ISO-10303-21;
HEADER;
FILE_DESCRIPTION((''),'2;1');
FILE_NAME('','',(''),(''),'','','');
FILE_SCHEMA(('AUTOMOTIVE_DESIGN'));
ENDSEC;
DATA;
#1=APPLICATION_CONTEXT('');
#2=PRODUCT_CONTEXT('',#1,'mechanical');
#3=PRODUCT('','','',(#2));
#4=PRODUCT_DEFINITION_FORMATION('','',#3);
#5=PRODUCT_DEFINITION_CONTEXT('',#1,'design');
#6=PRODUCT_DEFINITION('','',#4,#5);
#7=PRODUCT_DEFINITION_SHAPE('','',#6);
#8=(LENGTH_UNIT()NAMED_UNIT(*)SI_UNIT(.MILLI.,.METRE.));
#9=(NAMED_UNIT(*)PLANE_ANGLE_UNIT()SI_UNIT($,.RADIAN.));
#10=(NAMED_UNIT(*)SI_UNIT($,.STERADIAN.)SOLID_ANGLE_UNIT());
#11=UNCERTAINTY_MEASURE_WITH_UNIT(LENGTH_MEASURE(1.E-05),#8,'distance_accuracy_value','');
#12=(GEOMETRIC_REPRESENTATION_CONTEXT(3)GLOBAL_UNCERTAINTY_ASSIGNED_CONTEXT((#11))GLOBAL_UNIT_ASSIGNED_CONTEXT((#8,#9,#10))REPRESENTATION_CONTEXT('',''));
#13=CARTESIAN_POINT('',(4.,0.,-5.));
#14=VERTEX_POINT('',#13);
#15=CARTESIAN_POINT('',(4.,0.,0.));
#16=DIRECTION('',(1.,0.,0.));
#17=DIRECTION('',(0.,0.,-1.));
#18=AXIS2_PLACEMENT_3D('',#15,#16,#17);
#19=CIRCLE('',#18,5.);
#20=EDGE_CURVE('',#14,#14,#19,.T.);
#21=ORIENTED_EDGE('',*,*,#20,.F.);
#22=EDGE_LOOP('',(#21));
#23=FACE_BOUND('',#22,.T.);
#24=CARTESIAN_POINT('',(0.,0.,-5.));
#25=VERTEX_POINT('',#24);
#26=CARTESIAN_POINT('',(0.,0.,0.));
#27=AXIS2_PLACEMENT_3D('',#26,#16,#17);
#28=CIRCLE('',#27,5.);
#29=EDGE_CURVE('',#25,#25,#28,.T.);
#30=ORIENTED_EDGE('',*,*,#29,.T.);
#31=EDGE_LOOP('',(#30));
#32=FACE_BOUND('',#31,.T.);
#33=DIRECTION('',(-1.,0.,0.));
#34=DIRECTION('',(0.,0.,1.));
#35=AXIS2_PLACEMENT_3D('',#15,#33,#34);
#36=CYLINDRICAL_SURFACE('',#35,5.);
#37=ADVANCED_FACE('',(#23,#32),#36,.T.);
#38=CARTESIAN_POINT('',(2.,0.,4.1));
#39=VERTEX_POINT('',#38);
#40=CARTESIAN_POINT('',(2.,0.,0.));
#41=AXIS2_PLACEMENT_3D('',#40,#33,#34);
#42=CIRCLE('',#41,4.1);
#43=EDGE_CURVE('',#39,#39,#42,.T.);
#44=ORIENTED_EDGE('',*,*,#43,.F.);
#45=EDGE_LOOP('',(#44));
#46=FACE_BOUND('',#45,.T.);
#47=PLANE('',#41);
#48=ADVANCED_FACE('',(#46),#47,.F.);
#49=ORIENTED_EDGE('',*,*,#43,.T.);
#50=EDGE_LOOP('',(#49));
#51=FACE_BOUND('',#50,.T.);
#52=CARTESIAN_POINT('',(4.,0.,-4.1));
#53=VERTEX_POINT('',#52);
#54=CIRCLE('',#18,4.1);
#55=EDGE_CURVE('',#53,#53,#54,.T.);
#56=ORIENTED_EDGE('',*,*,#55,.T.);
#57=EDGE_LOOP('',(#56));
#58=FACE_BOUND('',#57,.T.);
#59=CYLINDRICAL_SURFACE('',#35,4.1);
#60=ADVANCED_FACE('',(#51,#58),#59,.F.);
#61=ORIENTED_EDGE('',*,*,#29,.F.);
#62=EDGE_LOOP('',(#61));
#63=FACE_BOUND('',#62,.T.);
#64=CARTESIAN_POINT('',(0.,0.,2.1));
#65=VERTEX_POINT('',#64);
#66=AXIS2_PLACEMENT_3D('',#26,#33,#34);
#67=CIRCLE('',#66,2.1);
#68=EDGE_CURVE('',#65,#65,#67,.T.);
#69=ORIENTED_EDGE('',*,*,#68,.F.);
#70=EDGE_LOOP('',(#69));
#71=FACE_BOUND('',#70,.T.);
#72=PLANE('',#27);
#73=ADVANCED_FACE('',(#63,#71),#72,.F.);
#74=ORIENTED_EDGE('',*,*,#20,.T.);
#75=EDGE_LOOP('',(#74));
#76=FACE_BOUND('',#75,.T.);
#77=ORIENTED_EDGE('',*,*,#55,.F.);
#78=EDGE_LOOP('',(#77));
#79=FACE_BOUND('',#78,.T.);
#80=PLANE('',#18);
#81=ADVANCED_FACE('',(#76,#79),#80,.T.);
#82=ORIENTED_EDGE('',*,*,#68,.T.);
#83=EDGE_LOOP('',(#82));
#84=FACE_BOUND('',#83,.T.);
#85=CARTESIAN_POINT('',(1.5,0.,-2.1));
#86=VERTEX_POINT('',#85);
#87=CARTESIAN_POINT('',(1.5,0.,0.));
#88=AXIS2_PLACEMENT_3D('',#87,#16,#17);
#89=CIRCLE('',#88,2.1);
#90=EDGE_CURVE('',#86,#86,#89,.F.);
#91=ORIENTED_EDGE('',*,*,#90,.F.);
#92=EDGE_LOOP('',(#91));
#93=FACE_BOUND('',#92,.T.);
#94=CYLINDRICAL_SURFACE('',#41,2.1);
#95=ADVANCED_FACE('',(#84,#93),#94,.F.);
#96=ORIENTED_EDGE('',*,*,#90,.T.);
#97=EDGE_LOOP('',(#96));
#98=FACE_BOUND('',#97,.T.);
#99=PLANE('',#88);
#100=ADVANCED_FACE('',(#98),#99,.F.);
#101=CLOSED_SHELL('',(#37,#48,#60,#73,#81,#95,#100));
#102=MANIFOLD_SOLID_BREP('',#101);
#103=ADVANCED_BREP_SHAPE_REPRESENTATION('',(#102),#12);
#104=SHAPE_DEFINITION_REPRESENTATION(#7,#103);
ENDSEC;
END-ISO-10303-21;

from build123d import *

# Parameters (mm, degrees)
SKETCH1_R           = 5
SKETCH1_R_2         = 4.1
BOSS_EXTRUDE1_DEPTH = 4
SKETCH2_R           = 4.1
SKETCH2_R_2         = 2.1
BOSS_EXTRUDE2_DEPTH = 2
BOSS_EXTRUDE3_START = -0.5
SKETCH3_R           = 2.1
BOSS_EXTRUDE3_DEPTH = 0.5


with BuildPart() as part:
    # Sketch1 → Boss-Extrude1 (new body)
    with BuildSketch(Plane(origin=(0, 0, 0), x_dir=(0, 0, -1), z_dir=(1, 0, 0))):
        Circle(SKETCH1_R)
        Circle(SKETCH1_R_2, mode=Mode.SUBTRACT)
    extrude(amount=BOSS_EXTRUDE1_DEPTH)

    # Sketch2 → Boss-Extrude2 (add)
    with BuildSketch(Plane.ZY):
        Circle(SKETCH2_R)
        Circle(SKETCH2_R_2, mode=Mode.SUBTRACT)
    extrude(amount=-BOSS_EXTRUDE2_DEPTH)

    # Sketch3 → Boss-Extrude3 (add)
    with BuildSketch(Plane(origin=(2, 0, 0), x_dir=(0, 0, -1), z_dir=(1, 0, 0)).offset(BOSS_EXTRUDE3_START)):
        with Locations(Location((0, 0, 0), (0, 0, 180))):
            Circle(SKETCH3_R)
    extrude(amount=BOSS_EXTRUDE3_DEPTH)


solid = part.part
